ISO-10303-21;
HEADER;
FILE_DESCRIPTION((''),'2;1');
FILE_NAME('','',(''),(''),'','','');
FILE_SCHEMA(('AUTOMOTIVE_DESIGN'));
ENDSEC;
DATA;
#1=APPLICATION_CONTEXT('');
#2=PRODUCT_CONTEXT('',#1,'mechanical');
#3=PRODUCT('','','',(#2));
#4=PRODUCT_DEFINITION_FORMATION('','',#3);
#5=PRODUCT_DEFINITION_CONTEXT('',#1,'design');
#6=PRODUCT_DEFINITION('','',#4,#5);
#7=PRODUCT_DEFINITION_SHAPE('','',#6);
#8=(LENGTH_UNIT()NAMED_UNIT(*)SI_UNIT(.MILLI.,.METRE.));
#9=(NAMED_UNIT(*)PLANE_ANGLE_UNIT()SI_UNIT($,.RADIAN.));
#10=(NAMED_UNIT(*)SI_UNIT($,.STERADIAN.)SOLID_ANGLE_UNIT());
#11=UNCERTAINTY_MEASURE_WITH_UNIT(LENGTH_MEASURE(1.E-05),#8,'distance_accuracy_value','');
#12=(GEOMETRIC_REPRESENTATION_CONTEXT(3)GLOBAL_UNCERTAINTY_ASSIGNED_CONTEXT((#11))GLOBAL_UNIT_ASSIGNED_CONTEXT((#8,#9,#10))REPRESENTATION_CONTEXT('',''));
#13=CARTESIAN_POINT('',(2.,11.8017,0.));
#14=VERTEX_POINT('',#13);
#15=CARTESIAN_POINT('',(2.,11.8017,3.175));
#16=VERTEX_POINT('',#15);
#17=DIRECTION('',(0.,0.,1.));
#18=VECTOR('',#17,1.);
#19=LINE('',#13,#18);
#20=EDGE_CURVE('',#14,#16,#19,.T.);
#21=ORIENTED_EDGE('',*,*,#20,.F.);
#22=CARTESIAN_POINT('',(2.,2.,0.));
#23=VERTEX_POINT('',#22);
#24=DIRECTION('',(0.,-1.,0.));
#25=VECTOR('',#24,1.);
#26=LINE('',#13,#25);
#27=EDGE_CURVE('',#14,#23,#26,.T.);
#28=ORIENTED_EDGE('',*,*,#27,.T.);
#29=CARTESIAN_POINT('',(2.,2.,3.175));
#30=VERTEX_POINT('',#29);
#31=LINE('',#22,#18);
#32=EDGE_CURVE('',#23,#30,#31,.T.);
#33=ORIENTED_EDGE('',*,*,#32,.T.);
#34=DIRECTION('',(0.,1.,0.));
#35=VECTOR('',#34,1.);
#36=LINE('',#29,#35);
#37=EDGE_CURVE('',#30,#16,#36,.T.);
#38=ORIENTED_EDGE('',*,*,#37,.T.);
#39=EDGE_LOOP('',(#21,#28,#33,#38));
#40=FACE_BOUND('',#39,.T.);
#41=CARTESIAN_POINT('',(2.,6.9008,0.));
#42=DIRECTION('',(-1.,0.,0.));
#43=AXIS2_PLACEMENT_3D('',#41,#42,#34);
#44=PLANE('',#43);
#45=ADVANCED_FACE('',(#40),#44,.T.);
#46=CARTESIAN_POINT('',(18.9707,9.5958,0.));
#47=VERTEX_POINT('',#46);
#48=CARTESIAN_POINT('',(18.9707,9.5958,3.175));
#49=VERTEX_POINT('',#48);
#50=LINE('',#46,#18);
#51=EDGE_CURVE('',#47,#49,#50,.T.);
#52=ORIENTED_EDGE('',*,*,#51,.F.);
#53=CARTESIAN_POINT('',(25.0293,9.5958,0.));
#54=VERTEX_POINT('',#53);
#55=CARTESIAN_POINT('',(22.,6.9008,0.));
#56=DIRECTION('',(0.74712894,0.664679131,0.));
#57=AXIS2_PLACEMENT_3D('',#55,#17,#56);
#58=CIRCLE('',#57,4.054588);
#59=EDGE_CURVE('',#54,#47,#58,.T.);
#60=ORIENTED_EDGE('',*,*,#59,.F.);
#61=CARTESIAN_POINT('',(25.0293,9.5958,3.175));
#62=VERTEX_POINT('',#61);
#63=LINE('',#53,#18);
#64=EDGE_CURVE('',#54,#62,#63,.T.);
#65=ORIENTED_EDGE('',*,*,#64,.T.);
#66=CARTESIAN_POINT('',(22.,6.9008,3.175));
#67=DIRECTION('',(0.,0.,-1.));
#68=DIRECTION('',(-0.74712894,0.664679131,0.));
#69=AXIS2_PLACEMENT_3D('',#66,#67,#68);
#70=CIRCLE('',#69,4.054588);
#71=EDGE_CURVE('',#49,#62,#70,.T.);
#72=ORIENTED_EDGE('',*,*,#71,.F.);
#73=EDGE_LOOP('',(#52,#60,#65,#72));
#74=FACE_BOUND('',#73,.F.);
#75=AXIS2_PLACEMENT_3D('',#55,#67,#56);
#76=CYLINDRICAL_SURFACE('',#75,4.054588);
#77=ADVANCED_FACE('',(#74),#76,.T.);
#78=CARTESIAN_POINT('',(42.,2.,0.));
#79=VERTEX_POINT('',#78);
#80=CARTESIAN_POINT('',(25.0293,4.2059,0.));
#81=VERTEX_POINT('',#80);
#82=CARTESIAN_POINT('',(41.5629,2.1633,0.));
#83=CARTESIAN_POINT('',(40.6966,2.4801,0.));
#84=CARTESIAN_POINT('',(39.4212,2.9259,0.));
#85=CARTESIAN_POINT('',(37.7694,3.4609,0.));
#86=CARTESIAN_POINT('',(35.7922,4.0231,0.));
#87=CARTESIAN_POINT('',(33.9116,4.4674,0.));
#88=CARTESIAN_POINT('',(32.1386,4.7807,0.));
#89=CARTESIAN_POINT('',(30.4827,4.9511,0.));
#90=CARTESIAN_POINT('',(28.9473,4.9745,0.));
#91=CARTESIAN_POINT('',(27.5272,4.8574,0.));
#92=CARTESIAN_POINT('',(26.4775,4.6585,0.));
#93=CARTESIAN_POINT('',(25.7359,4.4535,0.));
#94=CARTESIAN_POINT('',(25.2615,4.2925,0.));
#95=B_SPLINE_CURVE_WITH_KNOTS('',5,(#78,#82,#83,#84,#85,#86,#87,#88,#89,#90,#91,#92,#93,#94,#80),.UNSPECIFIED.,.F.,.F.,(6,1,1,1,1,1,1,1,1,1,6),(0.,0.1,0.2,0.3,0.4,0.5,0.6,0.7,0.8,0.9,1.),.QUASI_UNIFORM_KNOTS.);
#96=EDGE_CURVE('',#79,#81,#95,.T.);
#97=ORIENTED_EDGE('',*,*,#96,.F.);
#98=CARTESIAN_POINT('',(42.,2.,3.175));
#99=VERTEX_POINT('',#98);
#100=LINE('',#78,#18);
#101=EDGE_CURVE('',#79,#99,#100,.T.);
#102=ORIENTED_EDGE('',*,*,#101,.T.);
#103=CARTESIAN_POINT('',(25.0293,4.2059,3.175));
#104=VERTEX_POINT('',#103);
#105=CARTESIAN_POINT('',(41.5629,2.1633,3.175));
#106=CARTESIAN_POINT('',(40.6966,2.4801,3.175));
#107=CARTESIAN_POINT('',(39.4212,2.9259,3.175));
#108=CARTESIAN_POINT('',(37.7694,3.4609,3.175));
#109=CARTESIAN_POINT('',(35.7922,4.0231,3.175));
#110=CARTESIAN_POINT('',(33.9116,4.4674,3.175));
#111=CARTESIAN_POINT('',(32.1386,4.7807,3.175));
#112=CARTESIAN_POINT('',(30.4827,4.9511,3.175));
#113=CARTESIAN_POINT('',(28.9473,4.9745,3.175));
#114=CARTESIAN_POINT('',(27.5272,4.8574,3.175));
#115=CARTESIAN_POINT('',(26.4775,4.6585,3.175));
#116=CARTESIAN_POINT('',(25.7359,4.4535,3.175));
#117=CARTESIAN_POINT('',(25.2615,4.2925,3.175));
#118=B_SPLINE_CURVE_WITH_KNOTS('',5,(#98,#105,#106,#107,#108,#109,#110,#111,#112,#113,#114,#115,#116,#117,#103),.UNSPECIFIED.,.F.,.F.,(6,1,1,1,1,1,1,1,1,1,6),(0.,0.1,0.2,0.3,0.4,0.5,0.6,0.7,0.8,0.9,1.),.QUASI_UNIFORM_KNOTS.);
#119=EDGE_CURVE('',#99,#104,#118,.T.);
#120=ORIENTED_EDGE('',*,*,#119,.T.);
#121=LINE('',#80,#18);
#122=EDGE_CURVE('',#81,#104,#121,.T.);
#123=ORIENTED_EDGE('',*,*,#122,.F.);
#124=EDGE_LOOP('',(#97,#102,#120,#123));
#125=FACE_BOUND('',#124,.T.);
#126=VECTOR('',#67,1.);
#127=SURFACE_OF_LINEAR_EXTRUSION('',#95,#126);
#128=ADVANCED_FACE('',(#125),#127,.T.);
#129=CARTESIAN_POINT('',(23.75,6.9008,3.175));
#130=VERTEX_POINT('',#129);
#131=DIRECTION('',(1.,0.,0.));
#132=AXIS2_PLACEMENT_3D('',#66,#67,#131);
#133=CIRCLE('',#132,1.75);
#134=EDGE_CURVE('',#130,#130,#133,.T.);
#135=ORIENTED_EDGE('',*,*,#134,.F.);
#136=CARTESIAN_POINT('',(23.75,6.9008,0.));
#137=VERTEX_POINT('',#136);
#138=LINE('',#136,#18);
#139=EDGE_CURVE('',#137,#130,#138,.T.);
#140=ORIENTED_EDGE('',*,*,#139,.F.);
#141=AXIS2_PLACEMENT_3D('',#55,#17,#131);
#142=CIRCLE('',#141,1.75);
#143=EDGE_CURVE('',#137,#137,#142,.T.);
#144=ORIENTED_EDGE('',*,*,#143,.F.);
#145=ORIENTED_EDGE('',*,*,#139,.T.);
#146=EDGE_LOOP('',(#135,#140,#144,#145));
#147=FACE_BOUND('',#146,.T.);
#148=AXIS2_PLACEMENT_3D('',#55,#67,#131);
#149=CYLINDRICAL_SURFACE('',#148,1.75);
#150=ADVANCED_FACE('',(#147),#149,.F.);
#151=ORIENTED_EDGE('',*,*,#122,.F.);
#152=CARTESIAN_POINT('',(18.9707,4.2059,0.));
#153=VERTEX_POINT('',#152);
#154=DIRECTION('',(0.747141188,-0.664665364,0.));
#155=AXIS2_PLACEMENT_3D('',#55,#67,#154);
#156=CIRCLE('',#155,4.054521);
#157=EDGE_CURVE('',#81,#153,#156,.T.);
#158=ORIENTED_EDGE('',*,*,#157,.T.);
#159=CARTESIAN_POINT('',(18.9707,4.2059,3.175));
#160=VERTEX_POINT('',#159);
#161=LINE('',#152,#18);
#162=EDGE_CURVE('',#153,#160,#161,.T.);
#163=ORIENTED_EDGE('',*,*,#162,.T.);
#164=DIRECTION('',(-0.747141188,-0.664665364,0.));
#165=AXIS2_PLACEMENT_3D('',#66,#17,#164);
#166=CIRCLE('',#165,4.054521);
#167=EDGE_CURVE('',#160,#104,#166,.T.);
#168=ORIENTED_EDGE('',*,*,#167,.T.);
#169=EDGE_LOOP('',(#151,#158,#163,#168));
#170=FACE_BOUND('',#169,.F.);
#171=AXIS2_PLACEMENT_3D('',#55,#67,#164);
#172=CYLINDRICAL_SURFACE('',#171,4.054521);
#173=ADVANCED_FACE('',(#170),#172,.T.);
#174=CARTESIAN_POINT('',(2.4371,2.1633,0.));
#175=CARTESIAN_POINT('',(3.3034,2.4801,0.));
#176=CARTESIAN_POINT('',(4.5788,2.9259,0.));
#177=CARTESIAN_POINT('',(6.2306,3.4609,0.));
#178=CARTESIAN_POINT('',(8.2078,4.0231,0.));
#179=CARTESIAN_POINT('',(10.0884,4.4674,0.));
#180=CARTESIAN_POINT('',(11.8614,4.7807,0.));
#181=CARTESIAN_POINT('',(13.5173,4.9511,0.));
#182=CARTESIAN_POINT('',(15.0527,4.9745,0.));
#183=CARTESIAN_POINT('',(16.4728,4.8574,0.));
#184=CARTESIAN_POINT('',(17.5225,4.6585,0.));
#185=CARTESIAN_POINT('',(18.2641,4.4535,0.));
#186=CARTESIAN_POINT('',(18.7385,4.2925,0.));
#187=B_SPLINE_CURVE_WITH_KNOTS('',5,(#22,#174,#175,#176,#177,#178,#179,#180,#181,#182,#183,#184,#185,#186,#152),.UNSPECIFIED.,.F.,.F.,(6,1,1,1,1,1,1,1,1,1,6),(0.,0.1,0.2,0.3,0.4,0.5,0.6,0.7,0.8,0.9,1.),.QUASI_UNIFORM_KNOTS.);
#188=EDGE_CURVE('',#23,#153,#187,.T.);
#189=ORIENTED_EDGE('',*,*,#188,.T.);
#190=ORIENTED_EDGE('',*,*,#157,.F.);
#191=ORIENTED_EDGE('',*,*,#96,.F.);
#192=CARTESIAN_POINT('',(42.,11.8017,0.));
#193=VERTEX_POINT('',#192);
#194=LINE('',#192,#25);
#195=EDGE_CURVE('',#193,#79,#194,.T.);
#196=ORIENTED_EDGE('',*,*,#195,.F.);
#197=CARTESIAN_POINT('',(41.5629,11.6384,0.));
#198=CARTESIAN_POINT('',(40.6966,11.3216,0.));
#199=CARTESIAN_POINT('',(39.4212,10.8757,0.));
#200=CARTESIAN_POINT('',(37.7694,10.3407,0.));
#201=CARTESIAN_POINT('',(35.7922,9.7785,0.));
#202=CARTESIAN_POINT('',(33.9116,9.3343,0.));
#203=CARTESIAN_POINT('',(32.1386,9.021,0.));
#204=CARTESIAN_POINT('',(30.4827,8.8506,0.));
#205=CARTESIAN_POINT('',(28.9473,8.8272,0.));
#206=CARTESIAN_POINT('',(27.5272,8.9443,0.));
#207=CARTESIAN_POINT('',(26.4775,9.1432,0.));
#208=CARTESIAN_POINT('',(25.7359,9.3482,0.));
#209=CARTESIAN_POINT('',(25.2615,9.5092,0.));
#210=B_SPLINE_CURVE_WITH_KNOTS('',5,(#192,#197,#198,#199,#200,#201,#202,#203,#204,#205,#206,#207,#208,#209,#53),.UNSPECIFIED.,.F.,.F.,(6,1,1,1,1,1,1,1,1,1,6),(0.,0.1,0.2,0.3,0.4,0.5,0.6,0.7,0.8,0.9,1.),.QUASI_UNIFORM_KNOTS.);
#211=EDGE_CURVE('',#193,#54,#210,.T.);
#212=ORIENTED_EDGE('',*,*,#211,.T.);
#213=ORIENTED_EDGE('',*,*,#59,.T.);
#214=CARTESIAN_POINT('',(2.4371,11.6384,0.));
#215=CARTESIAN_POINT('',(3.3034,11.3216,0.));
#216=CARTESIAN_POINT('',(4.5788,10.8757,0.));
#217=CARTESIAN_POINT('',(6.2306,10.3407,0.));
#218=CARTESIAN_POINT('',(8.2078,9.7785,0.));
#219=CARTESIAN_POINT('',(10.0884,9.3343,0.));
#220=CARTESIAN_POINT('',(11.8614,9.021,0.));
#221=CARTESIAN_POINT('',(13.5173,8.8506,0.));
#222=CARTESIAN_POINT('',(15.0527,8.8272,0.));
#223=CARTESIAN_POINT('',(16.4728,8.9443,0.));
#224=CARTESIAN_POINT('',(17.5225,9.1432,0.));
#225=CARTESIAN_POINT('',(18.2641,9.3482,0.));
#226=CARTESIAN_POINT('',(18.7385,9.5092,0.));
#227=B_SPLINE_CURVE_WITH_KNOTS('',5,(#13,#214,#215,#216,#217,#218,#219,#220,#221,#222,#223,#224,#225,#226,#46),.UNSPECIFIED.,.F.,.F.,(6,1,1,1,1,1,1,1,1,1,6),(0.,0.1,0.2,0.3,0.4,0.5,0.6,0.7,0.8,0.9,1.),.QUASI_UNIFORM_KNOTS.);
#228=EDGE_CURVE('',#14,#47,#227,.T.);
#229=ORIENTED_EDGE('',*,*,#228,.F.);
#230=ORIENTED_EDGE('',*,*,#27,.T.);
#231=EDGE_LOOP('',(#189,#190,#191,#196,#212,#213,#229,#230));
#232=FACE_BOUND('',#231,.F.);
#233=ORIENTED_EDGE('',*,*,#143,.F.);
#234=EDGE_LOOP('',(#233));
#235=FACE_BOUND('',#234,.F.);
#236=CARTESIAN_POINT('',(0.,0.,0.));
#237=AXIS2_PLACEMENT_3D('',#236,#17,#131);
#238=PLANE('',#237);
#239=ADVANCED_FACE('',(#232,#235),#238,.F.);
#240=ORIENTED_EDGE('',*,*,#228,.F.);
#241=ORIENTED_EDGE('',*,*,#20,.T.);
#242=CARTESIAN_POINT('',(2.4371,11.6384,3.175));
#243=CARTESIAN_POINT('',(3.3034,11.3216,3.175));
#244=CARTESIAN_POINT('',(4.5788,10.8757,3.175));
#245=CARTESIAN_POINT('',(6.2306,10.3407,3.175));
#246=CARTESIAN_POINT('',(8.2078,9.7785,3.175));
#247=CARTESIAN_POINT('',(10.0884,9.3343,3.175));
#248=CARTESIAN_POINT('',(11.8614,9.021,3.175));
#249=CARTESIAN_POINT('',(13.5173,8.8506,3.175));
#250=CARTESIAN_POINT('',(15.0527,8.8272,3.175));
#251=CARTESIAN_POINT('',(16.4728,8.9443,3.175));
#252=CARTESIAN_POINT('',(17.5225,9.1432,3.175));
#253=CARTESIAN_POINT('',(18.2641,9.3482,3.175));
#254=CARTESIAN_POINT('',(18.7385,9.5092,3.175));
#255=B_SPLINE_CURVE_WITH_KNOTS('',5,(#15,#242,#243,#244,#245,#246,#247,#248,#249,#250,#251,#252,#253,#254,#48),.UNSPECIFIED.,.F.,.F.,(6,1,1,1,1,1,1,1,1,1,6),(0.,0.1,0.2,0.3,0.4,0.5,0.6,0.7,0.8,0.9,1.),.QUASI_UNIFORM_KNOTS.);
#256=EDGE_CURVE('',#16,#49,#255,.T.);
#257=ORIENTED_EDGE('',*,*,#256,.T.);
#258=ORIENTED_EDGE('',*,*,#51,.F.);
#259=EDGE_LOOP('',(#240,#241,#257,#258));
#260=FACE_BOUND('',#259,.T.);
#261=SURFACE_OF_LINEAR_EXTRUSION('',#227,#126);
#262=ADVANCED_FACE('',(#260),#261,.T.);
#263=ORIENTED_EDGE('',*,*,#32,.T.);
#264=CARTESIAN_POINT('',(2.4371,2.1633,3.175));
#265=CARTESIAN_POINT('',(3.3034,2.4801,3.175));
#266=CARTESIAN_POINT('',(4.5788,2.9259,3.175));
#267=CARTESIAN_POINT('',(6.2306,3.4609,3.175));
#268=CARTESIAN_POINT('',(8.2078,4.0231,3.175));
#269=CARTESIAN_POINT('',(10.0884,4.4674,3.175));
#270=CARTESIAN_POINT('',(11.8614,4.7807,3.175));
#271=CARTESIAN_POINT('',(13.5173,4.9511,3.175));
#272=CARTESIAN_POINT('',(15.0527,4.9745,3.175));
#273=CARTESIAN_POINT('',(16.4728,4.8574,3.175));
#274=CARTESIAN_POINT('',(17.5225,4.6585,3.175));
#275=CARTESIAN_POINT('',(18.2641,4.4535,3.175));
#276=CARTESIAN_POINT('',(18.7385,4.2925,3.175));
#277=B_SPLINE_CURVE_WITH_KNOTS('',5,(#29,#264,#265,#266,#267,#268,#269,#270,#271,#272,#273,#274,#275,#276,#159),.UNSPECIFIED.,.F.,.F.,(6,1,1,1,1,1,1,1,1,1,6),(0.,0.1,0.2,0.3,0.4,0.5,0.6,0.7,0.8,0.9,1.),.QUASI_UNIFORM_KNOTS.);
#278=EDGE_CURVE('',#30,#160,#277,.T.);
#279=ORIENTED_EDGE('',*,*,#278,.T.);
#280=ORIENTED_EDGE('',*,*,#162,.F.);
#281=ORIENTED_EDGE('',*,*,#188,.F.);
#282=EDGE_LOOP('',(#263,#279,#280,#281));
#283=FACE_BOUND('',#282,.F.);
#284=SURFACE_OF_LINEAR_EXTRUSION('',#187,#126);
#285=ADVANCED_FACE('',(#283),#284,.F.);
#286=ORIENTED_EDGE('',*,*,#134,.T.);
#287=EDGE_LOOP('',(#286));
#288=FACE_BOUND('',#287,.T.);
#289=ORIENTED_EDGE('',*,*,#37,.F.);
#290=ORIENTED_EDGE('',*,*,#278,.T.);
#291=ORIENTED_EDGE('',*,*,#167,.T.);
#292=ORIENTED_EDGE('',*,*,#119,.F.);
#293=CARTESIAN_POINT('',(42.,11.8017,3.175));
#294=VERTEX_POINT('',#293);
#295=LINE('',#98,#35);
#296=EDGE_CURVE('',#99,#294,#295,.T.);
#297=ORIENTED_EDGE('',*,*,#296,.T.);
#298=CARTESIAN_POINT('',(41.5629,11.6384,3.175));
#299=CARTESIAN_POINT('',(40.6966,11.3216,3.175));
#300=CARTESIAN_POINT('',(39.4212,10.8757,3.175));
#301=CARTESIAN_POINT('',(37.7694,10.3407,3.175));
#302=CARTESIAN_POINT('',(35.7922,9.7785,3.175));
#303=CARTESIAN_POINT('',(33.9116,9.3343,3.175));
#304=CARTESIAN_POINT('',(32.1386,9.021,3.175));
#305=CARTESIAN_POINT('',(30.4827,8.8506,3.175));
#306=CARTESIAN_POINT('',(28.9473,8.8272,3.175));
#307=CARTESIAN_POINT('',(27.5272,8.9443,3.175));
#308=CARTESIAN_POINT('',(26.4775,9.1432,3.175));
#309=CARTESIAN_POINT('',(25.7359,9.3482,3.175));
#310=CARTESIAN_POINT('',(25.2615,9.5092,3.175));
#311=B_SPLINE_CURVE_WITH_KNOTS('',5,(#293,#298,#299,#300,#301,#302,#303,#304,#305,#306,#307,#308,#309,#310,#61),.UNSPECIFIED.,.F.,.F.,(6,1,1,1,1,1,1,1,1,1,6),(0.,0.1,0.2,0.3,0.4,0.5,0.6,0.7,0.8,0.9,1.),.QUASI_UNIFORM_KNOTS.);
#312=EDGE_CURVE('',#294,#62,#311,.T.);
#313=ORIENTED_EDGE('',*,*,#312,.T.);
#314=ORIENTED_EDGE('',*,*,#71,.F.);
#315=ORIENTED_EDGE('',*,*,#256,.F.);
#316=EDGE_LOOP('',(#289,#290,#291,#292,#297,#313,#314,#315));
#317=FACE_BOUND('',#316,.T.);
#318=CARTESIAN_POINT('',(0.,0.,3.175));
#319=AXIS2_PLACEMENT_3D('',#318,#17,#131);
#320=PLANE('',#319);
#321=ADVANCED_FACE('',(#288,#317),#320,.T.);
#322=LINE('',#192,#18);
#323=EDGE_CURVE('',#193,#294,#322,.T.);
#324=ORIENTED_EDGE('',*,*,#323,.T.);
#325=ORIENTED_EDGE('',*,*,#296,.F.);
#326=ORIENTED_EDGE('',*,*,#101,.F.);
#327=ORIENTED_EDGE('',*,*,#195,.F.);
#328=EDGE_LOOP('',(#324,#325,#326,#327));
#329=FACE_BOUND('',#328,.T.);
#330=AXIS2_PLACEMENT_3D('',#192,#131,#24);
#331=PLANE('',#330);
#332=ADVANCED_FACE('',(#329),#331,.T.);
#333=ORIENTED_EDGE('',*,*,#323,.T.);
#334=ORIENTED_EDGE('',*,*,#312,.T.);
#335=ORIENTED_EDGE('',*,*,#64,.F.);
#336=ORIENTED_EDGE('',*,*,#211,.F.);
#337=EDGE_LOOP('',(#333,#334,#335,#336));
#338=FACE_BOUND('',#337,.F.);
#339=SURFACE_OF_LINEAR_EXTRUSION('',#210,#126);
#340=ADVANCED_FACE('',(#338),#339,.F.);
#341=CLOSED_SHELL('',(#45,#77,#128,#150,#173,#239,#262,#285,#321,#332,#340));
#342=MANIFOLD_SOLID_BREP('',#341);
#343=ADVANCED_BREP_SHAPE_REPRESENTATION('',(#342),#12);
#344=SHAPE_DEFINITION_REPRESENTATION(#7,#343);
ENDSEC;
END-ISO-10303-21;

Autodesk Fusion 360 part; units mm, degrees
sketch "nut" plane through (0, 0, 0) normal (0, 0, 1) x (1, 0, 0)
  circle A0 centre (-302, 114) radius 1.05
  circle A1 centre (-154, 222) radius 1.05
  circle A2 centre (-302, 222) radius 1.05
  line L0 (2, 11.8017) -> (42, 11.8017)
  line L1 (42, 11.8017) -> (42, 2)
  line L2 (42, 2) -> (2, 2)
  line L3 (2, 2) -> (2, 11.8017)
  circle A3 centre (22, 6.9008) radius 1.75
  line L4 (2, 6.9008) -> (42, 6.9008)
  spline S0 degree 5 poles (2, 2) (2.4371, 2.1633) (3.3034, 2.4801) (4.5788, 2.9259) (6.2306, 3.4609) (8.2078, 4.0231) (10.0884, 4.4674) (11.8614, 4.7807) (13.5173, 4.9511) (15.0527, 4.9745) (16.4728, 4.8574) (17.5225, 4.6585) (18.2641, 4.4535) (18.7385, 4.2925) (18.9707, 4.2059) knots 0 0 0 0 0 0 0.1 0.2 0.3 0.4 0.5 0.6 0.7 0.8 0.9 1 1 1 1 1 1
  line L5 (22, 11.8017) -> (22, 2)
  spline S1 degree 5 poles (2, 11.8017) (2.4371, 11.6384) (3.3034, 11.3216) (4.5788, 10.8757) (6.2306, 10.3407) (8.2078, 9.7785) (10.0884, 9.3343) (11.8614, 9.021) (13.5173, 8.8506) (15.0527, 8.8272) (16.4728, 8.9443) (17.5225, 9.1432) (18.2641, 9.3482) (18.7385, 9.5092) (18.9707, 9.5958) knots 0 0 0 0 0 0 0.1 0.2 0.3 0.4 0.5 0.6 0.7 0.8 0.9 1 1 1 1 1 1
  line L6 (0.0382, 1.267) -> (3.9618, 2.733)
  line L7 (17.4997, 4.7546) -> (20.4417, 3.6572)
  line L8 (0.0382, 12.5347) -> (3.9618, 11.0687)
  line L9 (17.4997, 9.0471) -> (20.4417, 10.1445)
  spline S2 degree 5 poles (42, 2) (41.5629, 2.1633) (40.6966, 2.4801) (39.4212, 2.9259) (37.7694, 3.4609) (35.7922, 4.0231) (33.9116, 4.4674) (32.1386, 4.7807) (30.4827, 4.9511) (28.9473, 4.9745) (27.5272, 4.8574) (26.4775, 4.6585) (25.7359, 4.4535) (25.2615, 4.2925) (25.0293, 4.2059) knots 0 0 0 0 0 0 0.1 0.2 0.3 0.4 0.5 0.6 0.7 0.8 0.9 1 1 1 1 1 1
  line L10 (43.9618, 1.267) -> (40.0382, 2.733)
  line L11 (26.5003, 4.7546) -> (23.5583, 3.6572)
  spline S3 degree 5 poles (42, 11.8017) (41.5629, 11.6384) (40.6966, 11.3216) (39.4212, 10.8757) (37.7694, 10.3407) (35.7922, 9.7785) (33.9116, 9.3343) (32.1386, 9.021) (30.4827, 8.8506) (28.9473, 8.8272) (27.5272, 8.9443) (26.4775, 9.1432) (25.7359, 9.3482) (25.2615, 9.5092) (25.0293, 9.5958) knots 0 0 0 0 0 0 0.1 0.2 0.3 0.4 0.5 0.6 0.7 0.8 0.9 1 1 1 1 1 1
  line L12 (43.9618, 12.5347) -> (40.0382, 11.0687)
  line L13 (26.5003, 9.0471) -> (23.5583, 10.1445)
  arc A4 (18.9707, 4.2059) -> (25.0293, 4.2059) centre (22, 6.9008) ccw
  arc A5 (25.0293, 9.5958) -> (18.9707, 9.5958) centre (22, 6.9008) ccw
  point P0 (11.2, 0)
  point P1 (12.9999, 4.8785)
  point P2 (12.9999, 8.9232)
  point P3 (31.0001, 4.8785)
  point P4 (31.0001, 8.9232)
  dimension "d488" = 40
  dimension "d495" = 2
  dimension "d497" = 3.5
  dimension "d498" = 8.1092
extrude "Extrude22" add sketch "nut" along normal blind 3.175 contours L3 A3 L4 L5 S1 A5 | L3 A3 L4 S0 L5 A4 | L1 A3 L4 L5 S3 A5 | L1 A3 L4 L5 S2 A4
equation "fingerWidth = 10 mm"
equation "length = 160 mm"
equation "thickness = 3.175 mm"
equation "height = 50 mm"
equation "toolDiameter = 1.401 mm"
equation "boneCornerToCenter = toolDiameter / 2 / sqrt(2) - 0 * kerf" comment "Best: 2.001 -2*kerf, 0.1;;;Best: 2.001 no kerf and 0.1   OLD+6 kerf at 2.001 Diam and .1 mm"
equation "tempLengthPiecesBottom = ceil(( ( floor(( length - 2 * thickness ) / fingerWidth) - 2 ) - ( ( floor(( length - 2 * thickness ) / fingerWidth) - 2 ) % 2 - 1 ) ))"
equation "lengthCutsBottom = ceil(tempLengthPiecesBottom / 2)"
equation "lengthShoulder = ( length - fingerWidth * tempLengthPiecesBottom ) / 2 - kerf"
equation "depth = 120 mm"
equation "tempDepthPiecesBottom = ceil(( ( floor(( depth - 2 * thickness ) / fingerWidth) - 2 ) - ( ( floor(( depth - 2 * thickness ) / fingerWidth) - 2 ) % 2 - 1 ) ))"
equation "depthCutsSideBottom = ceil(tempDepthPiecesBottom / 2)"
equation "depthShoulder = ( depth - fingerWidth * tempDepthPiecesBottom ) / 2 - kerf"
equation "tempHeightPiecesSide = ceil(( ( floor(( height - 2 * thickness ) / fingerWidth) - 2 ) - ( ( floor(( height - 2 * thickness ) / fingerWidth) - 2 ) % 2 - 1 ) ))"
equation "heightCutsSide = ceil(tempHeightPiecesSide / 2)"
equation "heightSholder = ( height - fingerWidth * tempHeightPiecesSide ) / 2 - kerf"
equation "kerf = -0.093 mm"
equation "holeWidth = fingerWidth + 2 * kerf"
equation "lengthShoulderHole = lengthShoulder + 2 * kerf"
equation "depthShouderHole = depthShoulder + 2 * kerf"
equation "heightShoulderHole = heightSholder + 2 * kerf"
equation "assembleScrewDiam = 2.1 mm"
equation "assembleScrewDistance = 6 mm"
equation "assembleAvoidCollisionDistance = 1 mm"
equation "coolingHoleDistance = 8 mm"
equation "boneCornerToCenterPack = -3 * kerf"
equation "boneCornerToCenterSide = boneCornerToCenter - boneCornerToCenterPack"
